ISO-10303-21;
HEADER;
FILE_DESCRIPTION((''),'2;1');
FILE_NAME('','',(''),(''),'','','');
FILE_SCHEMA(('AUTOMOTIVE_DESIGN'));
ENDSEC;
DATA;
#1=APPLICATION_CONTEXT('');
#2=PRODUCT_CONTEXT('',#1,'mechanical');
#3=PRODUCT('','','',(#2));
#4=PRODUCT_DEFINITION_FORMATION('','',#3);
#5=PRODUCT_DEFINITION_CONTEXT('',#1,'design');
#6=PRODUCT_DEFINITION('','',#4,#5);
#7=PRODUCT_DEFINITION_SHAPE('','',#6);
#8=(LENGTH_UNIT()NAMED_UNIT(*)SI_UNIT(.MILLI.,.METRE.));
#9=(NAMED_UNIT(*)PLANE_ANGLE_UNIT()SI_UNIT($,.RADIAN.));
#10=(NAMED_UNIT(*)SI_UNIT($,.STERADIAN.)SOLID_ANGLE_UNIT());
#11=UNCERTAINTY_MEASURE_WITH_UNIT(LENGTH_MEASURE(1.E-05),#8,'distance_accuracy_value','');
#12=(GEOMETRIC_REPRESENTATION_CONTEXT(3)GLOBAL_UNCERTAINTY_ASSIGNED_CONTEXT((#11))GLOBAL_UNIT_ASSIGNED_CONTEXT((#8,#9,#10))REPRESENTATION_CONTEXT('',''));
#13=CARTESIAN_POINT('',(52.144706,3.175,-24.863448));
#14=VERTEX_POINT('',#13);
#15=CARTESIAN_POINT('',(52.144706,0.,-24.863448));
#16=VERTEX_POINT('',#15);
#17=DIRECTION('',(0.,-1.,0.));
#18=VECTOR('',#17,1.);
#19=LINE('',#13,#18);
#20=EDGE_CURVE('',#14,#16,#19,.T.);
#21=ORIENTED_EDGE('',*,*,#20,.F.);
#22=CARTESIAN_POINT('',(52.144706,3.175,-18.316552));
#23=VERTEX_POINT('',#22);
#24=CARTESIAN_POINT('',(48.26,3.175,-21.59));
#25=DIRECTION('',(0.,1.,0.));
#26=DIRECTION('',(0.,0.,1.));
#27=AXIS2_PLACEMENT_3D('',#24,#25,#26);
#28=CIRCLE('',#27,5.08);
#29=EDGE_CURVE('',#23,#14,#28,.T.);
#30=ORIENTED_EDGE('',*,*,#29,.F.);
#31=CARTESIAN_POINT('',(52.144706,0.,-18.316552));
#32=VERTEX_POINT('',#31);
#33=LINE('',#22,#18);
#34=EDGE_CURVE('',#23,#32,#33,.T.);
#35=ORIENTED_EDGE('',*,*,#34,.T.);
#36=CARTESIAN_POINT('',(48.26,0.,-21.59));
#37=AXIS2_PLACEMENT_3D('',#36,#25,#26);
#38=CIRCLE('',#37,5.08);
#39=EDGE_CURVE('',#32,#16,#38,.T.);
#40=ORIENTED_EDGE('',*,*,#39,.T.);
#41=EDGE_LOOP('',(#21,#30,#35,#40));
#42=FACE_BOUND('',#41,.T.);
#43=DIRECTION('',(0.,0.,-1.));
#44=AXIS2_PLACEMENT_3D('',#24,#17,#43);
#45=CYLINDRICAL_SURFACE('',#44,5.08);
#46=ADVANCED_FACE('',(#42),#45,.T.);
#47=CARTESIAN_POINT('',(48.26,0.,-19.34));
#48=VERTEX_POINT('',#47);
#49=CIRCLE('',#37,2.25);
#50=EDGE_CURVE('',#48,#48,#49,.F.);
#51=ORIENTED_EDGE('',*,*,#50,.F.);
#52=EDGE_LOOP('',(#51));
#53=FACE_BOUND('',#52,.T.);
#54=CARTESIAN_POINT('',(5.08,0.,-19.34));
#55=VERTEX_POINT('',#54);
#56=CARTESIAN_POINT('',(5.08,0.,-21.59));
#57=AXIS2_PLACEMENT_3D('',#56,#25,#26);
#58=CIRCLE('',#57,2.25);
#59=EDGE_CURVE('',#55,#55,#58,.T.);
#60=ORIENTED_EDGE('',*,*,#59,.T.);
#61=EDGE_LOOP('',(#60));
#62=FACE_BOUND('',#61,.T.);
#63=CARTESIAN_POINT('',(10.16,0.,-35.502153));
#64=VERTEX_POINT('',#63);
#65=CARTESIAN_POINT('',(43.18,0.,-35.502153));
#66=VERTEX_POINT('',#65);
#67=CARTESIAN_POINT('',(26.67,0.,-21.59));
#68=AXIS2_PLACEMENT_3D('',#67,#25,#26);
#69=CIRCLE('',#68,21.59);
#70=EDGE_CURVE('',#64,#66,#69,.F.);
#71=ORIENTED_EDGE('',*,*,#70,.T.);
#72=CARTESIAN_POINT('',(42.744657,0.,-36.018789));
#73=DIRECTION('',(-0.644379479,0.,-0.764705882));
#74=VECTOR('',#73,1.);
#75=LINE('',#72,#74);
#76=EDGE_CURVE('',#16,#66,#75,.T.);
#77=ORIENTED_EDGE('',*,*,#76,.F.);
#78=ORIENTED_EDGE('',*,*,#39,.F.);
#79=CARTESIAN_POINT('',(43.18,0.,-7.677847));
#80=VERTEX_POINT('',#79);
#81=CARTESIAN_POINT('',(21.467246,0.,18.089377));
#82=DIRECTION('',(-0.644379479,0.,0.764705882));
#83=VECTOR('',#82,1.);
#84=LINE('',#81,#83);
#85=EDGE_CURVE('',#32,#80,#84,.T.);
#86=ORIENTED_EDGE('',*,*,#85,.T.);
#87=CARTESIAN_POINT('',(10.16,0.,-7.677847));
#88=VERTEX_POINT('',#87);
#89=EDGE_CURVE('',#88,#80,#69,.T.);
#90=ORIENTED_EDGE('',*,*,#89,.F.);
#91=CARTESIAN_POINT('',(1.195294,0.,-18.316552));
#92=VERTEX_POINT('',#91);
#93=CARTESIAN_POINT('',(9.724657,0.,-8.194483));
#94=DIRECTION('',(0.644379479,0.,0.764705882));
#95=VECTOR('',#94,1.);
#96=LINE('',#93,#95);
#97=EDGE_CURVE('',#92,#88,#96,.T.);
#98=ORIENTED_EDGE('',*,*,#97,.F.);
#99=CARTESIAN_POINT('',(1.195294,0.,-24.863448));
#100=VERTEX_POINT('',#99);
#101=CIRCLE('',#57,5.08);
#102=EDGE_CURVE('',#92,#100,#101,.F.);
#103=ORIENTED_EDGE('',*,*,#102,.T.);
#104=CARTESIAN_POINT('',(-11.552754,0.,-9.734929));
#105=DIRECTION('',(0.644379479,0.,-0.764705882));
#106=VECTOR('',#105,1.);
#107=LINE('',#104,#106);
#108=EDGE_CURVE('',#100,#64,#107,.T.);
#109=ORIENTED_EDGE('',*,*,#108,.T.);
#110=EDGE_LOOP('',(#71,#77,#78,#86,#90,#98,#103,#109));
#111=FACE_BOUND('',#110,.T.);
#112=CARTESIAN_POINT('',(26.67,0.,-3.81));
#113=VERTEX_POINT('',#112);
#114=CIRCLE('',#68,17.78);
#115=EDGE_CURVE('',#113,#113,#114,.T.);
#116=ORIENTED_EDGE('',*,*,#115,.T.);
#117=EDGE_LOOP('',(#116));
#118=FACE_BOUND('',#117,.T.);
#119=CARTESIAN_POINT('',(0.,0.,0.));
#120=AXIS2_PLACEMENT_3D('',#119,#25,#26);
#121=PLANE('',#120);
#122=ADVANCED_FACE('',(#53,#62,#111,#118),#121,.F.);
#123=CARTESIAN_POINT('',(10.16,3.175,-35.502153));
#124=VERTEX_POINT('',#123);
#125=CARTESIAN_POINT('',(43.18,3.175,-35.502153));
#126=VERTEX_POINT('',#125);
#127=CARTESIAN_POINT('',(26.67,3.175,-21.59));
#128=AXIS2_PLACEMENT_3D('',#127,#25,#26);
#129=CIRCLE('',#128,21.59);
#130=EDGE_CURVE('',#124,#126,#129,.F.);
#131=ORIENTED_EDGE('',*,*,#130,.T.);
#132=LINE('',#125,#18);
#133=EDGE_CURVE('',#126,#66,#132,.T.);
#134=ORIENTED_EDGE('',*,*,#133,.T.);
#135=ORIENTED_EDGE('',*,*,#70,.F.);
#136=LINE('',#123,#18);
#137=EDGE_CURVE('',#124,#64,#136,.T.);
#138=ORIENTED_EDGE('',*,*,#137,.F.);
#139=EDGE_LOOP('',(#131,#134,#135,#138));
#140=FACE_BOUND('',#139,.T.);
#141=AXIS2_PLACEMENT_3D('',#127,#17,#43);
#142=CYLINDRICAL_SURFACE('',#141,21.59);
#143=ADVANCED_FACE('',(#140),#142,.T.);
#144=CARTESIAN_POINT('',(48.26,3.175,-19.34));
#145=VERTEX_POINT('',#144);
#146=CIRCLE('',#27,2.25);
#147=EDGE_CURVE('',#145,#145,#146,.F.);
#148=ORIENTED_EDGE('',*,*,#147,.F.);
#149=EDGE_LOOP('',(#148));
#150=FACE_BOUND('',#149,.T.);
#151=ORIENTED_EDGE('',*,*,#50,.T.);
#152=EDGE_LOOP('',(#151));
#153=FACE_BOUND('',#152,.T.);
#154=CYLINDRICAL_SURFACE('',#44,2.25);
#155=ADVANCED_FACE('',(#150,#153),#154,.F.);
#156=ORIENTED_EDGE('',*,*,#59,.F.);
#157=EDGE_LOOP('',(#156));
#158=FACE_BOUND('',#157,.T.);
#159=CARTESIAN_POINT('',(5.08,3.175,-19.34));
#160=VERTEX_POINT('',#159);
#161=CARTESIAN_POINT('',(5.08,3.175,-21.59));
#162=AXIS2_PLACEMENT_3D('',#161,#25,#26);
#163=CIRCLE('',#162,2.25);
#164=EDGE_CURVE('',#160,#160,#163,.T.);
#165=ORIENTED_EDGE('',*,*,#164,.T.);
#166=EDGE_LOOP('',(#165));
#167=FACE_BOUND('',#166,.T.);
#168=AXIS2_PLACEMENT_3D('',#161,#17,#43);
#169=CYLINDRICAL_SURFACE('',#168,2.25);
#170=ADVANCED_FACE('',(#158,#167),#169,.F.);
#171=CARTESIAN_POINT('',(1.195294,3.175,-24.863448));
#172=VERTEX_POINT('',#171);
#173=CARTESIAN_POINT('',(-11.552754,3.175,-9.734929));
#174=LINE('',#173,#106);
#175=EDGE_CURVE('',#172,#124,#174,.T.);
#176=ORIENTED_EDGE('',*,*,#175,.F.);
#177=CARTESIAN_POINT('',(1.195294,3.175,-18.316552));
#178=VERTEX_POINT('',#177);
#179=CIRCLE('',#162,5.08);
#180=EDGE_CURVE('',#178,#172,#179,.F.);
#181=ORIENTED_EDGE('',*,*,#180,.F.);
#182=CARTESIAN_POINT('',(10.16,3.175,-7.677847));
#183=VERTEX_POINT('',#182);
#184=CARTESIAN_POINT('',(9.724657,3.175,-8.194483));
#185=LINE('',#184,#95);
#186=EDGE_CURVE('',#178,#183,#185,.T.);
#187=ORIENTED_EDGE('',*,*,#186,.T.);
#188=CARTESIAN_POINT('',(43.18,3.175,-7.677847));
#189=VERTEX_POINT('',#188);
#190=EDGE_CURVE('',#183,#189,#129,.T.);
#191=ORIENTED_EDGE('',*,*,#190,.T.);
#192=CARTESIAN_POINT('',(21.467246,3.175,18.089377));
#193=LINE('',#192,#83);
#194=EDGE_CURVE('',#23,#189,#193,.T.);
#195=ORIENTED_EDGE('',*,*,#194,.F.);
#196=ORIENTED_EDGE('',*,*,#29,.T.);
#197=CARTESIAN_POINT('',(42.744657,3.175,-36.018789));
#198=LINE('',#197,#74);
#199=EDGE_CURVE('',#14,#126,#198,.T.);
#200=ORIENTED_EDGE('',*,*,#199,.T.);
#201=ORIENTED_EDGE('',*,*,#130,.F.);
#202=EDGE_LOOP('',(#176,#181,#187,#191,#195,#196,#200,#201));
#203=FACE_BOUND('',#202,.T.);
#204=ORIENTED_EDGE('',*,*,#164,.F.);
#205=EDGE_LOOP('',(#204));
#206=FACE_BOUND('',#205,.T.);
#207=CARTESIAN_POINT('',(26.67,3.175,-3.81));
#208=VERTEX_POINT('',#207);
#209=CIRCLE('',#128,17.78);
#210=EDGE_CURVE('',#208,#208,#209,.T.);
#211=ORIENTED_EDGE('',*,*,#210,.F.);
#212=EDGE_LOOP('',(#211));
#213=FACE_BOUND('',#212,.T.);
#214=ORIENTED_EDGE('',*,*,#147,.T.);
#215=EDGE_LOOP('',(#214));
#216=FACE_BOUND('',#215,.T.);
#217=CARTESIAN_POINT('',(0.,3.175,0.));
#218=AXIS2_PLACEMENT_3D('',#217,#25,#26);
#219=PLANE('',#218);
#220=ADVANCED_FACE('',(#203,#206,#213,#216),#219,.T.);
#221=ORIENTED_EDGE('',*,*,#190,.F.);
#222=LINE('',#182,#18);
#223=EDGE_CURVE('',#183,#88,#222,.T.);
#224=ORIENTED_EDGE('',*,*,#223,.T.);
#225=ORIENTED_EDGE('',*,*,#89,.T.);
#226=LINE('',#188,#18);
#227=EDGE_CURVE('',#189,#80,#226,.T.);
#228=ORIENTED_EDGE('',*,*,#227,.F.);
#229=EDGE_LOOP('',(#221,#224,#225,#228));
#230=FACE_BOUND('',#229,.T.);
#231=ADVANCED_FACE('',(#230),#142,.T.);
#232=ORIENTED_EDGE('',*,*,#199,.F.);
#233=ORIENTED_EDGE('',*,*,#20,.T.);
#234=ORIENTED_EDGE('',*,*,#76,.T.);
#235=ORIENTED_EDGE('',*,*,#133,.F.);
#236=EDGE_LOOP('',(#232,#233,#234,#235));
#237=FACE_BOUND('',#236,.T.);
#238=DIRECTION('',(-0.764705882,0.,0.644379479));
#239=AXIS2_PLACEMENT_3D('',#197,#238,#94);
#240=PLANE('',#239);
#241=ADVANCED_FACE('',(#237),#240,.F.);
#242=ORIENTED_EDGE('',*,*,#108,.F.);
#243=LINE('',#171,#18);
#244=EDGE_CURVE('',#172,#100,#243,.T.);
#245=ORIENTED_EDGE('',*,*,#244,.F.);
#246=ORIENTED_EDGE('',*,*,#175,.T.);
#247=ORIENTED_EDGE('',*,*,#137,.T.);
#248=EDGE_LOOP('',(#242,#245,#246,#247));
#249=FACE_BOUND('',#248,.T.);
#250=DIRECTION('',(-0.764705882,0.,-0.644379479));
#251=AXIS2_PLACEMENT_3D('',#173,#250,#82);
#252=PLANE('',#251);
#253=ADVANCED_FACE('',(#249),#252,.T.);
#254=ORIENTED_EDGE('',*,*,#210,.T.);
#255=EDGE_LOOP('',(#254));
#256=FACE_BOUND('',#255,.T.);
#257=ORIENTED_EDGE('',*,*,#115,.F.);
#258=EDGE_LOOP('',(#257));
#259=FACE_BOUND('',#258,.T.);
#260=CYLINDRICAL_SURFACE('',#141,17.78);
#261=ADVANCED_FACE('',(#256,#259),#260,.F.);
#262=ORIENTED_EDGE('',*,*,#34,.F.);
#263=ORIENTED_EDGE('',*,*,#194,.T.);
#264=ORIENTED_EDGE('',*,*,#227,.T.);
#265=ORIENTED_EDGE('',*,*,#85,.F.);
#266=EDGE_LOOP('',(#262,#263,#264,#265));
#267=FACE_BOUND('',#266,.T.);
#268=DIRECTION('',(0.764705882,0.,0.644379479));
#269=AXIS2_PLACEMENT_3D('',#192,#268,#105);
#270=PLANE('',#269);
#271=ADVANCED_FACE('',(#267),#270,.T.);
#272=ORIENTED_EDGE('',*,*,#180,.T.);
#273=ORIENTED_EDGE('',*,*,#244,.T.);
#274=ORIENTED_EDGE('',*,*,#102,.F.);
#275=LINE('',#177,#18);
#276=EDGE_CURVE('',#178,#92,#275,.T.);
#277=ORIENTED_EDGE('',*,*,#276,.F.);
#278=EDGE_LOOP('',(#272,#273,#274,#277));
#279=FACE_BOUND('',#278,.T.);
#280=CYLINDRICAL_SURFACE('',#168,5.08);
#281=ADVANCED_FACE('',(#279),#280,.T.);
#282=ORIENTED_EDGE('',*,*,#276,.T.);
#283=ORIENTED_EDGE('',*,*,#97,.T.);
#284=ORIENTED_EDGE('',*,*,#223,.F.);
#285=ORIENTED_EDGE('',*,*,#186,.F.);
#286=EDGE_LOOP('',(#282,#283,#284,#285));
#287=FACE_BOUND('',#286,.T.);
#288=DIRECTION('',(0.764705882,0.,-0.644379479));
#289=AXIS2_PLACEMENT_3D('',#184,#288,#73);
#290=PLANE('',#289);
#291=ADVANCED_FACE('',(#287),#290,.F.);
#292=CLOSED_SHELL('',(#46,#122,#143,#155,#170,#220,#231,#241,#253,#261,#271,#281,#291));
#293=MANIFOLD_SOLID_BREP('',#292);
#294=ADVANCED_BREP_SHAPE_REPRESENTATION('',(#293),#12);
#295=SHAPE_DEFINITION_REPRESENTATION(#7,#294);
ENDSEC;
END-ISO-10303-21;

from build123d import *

# Parameters (mm, degrees)
SKETCH1_R           = 2.25
SKETCH1_R_2         = 17.78
BOSS_EXTRUDE1_DEPTH = 3.175


with BuildPart() as part:
    # Sketch1 → Boss-Extrude1 (new body)
    with BuildSketch(Plane(origin=(0, 0, 0), x_dir=(1, 0, 0), z_dir=(0, 1, 0))):
        with BuildLine():
            Line((52.144705882, 18.316552245), (43.18, 7.677847039))
            ThreePointArc((43.18, 7.677847039), (26.67, 0), (10.16, 7.677847039))
            Line((10.16, 7.677847039), (1.195294118, 18.316552245))
            ThreePointArc((1.195294118, 18.316552245), (0, 21.59), (1.195294118, 24.863447755))
            Line((1.195294118, 24.863447755), (10.16, 35.502152961))
            ThreePointArc((10.16, 35.502152961), (26.67, 43.18), (43.18, 35.502152961))
            Line((43.18, 35.502152961), (52.144705882, 24.863447755))
            ThreePointArc((52.144705882, 24.863447755), (53.34, 21.59), (52.144705882, 18.316552245))
        make_face()
        with Locations((48.26, 21.59)):
            Circle(SKETCH1_R, mode=Mode.SUBTRACT)
        with Locations((5.08, 21.59)):
            Circle(SKETCH1_R, mode=Mode.SUBTRACT)
        with Locations((26.67, 21.59)):
            Circle(SKETCH1_R_2, mode=Mode.SUBTRACT)
    extrude(amount=BOSS_EXTRUDE1_DEPTH)


solid = part.part
